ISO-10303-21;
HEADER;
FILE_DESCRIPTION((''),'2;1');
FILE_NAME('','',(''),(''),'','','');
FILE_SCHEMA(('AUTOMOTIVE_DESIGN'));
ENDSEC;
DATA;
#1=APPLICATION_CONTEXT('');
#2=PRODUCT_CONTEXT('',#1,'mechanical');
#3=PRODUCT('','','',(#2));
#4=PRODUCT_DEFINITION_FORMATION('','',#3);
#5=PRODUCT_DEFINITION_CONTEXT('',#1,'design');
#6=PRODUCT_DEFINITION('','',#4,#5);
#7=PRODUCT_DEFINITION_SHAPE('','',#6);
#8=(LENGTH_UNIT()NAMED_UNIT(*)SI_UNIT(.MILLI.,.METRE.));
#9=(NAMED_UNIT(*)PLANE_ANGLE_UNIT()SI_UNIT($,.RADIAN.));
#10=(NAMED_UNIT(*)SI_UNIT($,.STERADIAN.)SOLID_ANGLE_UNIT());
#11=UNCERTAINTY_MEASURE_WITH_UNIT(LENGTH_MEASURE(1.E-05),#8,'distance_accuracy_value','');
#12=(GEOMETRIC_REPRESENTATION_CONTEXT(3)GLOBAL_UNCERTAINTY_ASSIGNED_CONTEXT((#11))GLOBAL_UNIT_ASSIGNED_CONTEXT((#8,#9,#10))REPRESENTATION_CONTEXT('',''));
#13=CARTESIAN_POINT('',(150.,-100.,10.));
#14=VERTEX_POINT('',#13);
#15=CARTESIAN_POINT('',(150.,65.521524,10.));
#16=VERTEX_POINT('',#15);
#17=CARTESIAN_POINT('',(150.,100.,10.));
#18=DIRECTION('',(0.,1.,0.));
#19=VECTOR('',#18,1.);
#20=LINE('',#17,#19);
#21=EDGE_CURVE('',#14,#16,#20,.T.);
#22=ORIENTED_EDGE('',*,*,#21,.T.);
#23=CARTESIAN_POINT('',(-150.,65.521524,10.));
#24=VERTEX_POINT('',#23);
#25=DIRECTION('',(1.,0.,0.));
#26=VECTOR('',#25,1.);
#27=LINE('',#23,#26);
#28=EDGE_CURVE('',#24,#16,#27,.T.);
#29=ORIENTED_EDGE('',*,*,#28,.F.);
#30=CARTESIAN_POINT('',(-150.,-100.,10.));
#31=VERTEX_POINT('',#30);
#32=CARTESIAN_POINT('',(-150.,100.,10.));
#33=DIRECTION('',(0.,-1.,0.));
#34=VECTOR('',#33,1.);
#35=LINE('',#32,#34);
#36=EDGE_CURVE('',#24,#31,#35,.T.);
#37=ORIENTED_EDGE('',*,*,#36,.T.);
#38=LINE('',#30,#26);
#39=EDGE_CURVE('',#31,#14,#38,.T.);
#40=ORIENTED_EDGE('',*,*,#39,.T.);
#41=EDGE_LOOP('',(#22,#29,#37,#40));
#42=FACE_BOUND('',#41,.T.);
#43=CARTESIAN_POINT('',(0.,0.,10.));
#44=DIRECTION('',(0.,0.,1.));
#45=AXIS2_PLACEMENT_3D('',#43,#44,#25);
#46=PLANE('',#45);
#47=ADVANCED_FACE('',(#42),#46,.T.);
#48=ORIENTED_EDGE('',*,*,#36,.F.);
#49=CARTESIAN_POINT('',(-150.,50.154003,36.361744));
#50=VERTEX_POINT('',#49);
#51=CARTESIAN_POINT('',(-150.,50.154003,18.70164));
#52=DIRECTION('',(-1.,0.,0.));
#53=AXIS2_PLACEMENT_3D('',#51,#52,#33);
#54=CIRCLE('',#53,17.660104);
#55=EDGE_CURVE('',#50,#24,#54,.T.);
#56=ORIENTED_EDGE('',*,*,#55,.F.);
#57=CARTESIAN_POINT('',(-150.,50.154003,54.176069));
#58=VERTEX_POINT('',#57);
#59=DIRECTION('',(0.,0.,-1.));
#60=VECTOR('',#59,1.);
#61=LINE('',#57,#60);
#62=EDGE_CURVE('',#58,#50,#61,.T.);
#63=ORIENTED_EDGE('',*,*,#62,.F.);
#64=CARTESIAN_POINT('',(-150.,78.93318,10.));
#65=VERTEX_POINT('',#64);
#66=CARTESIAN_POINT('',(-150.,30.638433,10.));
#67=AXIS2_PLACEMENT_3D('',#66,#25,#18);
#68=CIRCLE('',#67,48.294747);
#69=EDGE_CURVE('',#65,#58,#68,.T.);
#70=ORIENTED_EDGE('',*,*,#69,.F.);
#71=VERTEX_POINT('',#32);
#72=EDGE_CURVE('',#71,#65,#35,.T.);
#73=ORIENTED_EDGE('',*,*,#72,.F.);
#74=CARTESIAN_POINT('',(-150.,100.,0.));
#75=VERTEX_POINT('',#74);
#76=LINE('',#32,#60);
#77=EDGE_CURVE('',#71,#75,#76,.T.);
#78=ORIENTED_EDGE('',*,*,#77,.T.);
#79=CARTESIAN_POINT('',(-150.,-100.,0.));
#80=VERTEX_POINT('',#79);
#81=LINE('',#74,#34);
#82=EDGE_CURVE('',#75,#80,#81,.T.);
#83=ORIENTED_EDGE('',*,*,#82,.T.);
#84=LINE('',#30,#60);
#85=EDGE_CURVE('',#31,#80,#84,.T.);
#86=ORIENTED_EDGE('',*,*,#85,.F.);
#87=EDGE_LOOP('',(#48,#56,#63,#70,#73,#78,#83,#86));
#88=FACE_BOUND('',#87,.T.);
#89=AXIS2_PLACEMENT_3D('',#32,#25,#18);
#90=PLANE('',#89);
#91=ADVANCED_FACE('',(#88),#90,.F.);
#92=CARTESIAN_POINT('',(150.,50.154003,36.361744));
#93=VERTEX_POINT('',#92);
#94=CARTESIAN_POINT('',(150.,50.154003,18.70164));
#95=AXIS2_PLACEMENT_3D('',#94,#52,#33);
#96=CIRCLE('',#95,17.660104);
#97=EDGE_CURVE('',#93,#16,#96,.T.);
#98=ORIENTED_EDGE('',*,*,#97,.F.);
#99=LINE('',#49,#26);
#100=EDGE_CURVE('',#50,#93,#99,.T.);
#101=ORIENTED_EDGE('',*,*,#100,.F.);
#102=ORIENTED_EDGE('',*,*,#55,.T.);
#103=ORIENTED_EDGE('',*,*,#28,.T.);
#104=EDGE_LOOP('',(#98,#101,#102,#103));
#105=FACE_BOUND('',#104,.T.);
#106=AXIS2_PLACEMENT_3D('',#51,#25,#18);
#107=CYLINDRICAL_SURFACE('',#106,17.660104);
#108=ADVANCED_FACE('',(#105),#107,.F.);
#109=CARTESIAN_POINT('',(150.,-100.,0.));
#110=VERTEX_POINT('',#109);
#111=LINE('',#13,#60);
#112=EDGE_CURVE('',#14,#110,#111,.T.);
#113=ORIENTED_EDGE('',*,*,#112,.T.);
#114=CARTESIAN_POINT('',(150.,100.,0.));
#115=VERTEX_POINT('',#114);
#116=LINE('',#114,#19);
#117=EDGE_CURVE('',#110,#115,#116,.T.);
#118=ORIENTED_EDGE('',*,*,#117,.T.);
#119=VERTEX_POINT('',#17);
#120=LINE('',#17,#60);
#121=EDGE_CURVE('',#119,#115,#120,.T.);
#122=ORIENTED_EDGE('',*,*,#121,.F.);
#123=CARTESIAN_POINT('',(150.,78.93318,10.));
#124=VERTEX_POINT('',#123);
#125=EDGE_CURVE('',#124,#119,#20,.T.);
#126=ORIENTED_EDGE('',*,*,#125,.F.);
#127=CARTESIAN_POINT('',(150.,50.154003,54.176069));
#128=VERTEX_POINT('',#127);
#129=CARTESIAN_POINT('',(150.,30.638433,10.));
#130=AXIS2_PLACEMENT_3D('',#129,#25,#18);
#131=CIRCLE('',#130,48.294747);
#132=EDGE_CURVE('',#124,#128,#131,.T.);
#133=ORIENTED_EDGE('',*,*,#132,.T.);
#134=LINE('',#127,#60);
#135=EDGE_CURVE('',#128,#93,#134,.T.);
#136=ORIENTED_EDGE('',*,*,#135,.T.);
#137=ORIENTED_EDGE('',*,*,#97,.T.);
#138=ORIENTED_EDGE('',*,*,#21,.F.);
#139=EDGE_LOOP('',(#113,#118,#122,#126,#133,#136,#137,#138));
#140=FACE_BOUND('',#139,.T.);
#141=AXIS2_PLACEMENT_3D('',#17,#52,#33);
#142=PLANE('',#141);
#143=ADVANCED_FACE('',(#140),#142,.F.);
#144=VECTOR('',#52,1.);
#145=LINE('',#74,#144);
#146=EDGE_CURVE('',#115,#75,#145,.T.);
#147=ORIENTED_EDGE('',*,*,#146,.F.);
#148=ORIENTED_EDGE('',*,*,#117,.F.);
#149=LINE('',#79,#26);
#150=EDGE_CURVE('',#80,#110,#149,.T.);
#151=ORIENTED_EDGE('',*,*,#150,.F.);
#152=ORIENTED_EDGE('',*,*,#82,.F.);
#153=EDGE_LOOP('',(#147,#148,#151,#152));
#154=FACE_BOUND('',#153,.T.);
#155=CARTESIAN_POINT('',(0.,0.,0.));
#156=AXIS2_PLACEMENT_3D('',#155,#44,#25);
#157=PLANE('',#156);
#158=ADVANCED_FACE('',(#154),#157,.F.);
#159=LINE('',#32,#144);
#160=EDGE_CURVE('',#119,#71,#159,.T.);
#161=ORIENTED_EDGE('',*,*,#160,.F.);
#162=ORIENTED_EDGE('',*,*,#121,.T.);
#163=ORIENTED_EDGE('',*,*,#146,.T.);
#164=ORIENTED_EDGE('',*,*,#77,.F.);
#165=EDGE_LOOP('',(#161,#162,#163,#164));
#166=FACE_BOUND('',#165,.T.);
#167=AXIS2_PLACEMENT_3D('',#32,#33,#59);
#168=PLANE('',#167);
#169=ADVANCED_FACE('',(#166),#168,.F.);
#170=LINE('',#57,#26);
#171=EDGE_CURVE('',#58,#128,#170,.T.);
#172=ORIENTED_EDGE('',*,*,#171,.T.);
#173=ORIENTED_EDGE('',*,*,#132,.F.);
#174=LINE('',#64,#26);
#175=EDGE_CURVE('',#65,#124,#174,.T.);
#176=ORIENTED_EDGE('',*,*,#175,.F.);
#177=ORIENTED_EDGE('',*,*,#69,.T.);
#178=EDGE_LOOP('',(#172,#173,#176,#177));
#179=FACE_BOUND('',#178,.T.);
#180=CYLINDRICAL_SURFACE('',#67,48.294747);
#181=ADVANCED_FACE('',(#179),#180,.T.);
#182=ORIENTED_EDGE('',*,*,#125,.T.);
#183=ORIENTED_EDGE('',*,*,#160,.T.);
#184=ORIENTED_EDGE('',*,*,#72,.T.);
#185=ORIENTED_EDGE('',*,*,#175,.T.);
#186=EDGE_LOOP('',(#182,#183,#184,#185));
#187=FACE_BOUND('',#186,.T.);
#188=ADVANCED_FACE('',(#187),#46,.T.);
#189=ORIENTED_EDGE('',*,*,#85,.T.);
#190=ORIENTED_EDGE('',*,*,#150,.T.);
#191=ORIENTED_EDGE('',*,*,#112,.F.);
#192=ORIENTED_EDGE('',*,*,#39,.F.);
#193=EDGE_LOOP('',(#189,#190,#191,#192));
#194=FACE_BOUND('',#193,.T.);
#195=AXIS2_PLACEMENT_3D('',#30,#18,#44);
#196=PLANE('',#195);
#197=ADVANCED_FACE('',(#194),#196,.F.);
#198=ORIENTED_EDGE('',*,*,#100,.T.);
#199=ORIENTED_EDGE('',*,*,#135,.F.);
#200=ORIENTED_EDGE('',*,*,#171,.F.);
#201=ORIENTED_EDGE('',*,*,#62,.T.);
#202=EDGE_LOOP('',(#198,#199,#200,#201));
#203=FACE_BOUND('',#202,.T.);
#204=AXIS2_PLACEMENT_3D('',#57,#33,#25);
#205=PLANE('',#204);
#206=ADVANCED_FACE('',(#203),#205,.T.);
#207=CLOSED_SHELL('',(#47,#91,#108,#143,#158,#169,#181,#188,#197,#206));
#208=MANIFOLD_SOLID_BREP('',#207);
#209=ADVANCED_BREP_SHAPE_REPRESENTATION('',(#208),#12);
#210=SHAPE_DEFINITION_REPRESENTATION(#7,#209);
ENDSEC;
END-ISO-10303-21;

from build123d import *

# Parameters (mm, degrees)
SKETCH1_W           = 300
SKETCH1_H           = 200
BOSS_EXTRUDE1_DEPTH = 10
BOSS_EXTRUDE2_DEPTH = 300


with BuildPart() as part:
    # Sketch1 → Boss-Extrude1 (new body)
    with BuildSketch(Plane.XY):
        Rectangle(SKETCH1_W, SKETCH1_H)
    extrude(amount=BOSS_EXTRUDE1_DEPTH)

    # Sketch4 → Boss-Extrude2 (add)
    with BuildSketch(Plane(origin=(150, 0, 0), x_dir=(0, 0, -1), z_dir=(1, 0, 0))):
        with BuildLine():
            Line((-10, 78.933179658), (-10, 65.521524353))
            ThreePointArc((-10, 65.521524353), (-27.595666073, 65.410986777), (-36.361743784, 50.15400265))
            Line((-36.361743784, 50.15400265), (-54.176069451, 50.15400265))
            ThreePointArc((-54.176069451, 50.15400265), (-36.361743784, 71.103739422), (-10, 78.933179658))
        make_face()
    extrude(amount=-BOSS_EXTRUDE2_DEPTH)


solid = part.part
